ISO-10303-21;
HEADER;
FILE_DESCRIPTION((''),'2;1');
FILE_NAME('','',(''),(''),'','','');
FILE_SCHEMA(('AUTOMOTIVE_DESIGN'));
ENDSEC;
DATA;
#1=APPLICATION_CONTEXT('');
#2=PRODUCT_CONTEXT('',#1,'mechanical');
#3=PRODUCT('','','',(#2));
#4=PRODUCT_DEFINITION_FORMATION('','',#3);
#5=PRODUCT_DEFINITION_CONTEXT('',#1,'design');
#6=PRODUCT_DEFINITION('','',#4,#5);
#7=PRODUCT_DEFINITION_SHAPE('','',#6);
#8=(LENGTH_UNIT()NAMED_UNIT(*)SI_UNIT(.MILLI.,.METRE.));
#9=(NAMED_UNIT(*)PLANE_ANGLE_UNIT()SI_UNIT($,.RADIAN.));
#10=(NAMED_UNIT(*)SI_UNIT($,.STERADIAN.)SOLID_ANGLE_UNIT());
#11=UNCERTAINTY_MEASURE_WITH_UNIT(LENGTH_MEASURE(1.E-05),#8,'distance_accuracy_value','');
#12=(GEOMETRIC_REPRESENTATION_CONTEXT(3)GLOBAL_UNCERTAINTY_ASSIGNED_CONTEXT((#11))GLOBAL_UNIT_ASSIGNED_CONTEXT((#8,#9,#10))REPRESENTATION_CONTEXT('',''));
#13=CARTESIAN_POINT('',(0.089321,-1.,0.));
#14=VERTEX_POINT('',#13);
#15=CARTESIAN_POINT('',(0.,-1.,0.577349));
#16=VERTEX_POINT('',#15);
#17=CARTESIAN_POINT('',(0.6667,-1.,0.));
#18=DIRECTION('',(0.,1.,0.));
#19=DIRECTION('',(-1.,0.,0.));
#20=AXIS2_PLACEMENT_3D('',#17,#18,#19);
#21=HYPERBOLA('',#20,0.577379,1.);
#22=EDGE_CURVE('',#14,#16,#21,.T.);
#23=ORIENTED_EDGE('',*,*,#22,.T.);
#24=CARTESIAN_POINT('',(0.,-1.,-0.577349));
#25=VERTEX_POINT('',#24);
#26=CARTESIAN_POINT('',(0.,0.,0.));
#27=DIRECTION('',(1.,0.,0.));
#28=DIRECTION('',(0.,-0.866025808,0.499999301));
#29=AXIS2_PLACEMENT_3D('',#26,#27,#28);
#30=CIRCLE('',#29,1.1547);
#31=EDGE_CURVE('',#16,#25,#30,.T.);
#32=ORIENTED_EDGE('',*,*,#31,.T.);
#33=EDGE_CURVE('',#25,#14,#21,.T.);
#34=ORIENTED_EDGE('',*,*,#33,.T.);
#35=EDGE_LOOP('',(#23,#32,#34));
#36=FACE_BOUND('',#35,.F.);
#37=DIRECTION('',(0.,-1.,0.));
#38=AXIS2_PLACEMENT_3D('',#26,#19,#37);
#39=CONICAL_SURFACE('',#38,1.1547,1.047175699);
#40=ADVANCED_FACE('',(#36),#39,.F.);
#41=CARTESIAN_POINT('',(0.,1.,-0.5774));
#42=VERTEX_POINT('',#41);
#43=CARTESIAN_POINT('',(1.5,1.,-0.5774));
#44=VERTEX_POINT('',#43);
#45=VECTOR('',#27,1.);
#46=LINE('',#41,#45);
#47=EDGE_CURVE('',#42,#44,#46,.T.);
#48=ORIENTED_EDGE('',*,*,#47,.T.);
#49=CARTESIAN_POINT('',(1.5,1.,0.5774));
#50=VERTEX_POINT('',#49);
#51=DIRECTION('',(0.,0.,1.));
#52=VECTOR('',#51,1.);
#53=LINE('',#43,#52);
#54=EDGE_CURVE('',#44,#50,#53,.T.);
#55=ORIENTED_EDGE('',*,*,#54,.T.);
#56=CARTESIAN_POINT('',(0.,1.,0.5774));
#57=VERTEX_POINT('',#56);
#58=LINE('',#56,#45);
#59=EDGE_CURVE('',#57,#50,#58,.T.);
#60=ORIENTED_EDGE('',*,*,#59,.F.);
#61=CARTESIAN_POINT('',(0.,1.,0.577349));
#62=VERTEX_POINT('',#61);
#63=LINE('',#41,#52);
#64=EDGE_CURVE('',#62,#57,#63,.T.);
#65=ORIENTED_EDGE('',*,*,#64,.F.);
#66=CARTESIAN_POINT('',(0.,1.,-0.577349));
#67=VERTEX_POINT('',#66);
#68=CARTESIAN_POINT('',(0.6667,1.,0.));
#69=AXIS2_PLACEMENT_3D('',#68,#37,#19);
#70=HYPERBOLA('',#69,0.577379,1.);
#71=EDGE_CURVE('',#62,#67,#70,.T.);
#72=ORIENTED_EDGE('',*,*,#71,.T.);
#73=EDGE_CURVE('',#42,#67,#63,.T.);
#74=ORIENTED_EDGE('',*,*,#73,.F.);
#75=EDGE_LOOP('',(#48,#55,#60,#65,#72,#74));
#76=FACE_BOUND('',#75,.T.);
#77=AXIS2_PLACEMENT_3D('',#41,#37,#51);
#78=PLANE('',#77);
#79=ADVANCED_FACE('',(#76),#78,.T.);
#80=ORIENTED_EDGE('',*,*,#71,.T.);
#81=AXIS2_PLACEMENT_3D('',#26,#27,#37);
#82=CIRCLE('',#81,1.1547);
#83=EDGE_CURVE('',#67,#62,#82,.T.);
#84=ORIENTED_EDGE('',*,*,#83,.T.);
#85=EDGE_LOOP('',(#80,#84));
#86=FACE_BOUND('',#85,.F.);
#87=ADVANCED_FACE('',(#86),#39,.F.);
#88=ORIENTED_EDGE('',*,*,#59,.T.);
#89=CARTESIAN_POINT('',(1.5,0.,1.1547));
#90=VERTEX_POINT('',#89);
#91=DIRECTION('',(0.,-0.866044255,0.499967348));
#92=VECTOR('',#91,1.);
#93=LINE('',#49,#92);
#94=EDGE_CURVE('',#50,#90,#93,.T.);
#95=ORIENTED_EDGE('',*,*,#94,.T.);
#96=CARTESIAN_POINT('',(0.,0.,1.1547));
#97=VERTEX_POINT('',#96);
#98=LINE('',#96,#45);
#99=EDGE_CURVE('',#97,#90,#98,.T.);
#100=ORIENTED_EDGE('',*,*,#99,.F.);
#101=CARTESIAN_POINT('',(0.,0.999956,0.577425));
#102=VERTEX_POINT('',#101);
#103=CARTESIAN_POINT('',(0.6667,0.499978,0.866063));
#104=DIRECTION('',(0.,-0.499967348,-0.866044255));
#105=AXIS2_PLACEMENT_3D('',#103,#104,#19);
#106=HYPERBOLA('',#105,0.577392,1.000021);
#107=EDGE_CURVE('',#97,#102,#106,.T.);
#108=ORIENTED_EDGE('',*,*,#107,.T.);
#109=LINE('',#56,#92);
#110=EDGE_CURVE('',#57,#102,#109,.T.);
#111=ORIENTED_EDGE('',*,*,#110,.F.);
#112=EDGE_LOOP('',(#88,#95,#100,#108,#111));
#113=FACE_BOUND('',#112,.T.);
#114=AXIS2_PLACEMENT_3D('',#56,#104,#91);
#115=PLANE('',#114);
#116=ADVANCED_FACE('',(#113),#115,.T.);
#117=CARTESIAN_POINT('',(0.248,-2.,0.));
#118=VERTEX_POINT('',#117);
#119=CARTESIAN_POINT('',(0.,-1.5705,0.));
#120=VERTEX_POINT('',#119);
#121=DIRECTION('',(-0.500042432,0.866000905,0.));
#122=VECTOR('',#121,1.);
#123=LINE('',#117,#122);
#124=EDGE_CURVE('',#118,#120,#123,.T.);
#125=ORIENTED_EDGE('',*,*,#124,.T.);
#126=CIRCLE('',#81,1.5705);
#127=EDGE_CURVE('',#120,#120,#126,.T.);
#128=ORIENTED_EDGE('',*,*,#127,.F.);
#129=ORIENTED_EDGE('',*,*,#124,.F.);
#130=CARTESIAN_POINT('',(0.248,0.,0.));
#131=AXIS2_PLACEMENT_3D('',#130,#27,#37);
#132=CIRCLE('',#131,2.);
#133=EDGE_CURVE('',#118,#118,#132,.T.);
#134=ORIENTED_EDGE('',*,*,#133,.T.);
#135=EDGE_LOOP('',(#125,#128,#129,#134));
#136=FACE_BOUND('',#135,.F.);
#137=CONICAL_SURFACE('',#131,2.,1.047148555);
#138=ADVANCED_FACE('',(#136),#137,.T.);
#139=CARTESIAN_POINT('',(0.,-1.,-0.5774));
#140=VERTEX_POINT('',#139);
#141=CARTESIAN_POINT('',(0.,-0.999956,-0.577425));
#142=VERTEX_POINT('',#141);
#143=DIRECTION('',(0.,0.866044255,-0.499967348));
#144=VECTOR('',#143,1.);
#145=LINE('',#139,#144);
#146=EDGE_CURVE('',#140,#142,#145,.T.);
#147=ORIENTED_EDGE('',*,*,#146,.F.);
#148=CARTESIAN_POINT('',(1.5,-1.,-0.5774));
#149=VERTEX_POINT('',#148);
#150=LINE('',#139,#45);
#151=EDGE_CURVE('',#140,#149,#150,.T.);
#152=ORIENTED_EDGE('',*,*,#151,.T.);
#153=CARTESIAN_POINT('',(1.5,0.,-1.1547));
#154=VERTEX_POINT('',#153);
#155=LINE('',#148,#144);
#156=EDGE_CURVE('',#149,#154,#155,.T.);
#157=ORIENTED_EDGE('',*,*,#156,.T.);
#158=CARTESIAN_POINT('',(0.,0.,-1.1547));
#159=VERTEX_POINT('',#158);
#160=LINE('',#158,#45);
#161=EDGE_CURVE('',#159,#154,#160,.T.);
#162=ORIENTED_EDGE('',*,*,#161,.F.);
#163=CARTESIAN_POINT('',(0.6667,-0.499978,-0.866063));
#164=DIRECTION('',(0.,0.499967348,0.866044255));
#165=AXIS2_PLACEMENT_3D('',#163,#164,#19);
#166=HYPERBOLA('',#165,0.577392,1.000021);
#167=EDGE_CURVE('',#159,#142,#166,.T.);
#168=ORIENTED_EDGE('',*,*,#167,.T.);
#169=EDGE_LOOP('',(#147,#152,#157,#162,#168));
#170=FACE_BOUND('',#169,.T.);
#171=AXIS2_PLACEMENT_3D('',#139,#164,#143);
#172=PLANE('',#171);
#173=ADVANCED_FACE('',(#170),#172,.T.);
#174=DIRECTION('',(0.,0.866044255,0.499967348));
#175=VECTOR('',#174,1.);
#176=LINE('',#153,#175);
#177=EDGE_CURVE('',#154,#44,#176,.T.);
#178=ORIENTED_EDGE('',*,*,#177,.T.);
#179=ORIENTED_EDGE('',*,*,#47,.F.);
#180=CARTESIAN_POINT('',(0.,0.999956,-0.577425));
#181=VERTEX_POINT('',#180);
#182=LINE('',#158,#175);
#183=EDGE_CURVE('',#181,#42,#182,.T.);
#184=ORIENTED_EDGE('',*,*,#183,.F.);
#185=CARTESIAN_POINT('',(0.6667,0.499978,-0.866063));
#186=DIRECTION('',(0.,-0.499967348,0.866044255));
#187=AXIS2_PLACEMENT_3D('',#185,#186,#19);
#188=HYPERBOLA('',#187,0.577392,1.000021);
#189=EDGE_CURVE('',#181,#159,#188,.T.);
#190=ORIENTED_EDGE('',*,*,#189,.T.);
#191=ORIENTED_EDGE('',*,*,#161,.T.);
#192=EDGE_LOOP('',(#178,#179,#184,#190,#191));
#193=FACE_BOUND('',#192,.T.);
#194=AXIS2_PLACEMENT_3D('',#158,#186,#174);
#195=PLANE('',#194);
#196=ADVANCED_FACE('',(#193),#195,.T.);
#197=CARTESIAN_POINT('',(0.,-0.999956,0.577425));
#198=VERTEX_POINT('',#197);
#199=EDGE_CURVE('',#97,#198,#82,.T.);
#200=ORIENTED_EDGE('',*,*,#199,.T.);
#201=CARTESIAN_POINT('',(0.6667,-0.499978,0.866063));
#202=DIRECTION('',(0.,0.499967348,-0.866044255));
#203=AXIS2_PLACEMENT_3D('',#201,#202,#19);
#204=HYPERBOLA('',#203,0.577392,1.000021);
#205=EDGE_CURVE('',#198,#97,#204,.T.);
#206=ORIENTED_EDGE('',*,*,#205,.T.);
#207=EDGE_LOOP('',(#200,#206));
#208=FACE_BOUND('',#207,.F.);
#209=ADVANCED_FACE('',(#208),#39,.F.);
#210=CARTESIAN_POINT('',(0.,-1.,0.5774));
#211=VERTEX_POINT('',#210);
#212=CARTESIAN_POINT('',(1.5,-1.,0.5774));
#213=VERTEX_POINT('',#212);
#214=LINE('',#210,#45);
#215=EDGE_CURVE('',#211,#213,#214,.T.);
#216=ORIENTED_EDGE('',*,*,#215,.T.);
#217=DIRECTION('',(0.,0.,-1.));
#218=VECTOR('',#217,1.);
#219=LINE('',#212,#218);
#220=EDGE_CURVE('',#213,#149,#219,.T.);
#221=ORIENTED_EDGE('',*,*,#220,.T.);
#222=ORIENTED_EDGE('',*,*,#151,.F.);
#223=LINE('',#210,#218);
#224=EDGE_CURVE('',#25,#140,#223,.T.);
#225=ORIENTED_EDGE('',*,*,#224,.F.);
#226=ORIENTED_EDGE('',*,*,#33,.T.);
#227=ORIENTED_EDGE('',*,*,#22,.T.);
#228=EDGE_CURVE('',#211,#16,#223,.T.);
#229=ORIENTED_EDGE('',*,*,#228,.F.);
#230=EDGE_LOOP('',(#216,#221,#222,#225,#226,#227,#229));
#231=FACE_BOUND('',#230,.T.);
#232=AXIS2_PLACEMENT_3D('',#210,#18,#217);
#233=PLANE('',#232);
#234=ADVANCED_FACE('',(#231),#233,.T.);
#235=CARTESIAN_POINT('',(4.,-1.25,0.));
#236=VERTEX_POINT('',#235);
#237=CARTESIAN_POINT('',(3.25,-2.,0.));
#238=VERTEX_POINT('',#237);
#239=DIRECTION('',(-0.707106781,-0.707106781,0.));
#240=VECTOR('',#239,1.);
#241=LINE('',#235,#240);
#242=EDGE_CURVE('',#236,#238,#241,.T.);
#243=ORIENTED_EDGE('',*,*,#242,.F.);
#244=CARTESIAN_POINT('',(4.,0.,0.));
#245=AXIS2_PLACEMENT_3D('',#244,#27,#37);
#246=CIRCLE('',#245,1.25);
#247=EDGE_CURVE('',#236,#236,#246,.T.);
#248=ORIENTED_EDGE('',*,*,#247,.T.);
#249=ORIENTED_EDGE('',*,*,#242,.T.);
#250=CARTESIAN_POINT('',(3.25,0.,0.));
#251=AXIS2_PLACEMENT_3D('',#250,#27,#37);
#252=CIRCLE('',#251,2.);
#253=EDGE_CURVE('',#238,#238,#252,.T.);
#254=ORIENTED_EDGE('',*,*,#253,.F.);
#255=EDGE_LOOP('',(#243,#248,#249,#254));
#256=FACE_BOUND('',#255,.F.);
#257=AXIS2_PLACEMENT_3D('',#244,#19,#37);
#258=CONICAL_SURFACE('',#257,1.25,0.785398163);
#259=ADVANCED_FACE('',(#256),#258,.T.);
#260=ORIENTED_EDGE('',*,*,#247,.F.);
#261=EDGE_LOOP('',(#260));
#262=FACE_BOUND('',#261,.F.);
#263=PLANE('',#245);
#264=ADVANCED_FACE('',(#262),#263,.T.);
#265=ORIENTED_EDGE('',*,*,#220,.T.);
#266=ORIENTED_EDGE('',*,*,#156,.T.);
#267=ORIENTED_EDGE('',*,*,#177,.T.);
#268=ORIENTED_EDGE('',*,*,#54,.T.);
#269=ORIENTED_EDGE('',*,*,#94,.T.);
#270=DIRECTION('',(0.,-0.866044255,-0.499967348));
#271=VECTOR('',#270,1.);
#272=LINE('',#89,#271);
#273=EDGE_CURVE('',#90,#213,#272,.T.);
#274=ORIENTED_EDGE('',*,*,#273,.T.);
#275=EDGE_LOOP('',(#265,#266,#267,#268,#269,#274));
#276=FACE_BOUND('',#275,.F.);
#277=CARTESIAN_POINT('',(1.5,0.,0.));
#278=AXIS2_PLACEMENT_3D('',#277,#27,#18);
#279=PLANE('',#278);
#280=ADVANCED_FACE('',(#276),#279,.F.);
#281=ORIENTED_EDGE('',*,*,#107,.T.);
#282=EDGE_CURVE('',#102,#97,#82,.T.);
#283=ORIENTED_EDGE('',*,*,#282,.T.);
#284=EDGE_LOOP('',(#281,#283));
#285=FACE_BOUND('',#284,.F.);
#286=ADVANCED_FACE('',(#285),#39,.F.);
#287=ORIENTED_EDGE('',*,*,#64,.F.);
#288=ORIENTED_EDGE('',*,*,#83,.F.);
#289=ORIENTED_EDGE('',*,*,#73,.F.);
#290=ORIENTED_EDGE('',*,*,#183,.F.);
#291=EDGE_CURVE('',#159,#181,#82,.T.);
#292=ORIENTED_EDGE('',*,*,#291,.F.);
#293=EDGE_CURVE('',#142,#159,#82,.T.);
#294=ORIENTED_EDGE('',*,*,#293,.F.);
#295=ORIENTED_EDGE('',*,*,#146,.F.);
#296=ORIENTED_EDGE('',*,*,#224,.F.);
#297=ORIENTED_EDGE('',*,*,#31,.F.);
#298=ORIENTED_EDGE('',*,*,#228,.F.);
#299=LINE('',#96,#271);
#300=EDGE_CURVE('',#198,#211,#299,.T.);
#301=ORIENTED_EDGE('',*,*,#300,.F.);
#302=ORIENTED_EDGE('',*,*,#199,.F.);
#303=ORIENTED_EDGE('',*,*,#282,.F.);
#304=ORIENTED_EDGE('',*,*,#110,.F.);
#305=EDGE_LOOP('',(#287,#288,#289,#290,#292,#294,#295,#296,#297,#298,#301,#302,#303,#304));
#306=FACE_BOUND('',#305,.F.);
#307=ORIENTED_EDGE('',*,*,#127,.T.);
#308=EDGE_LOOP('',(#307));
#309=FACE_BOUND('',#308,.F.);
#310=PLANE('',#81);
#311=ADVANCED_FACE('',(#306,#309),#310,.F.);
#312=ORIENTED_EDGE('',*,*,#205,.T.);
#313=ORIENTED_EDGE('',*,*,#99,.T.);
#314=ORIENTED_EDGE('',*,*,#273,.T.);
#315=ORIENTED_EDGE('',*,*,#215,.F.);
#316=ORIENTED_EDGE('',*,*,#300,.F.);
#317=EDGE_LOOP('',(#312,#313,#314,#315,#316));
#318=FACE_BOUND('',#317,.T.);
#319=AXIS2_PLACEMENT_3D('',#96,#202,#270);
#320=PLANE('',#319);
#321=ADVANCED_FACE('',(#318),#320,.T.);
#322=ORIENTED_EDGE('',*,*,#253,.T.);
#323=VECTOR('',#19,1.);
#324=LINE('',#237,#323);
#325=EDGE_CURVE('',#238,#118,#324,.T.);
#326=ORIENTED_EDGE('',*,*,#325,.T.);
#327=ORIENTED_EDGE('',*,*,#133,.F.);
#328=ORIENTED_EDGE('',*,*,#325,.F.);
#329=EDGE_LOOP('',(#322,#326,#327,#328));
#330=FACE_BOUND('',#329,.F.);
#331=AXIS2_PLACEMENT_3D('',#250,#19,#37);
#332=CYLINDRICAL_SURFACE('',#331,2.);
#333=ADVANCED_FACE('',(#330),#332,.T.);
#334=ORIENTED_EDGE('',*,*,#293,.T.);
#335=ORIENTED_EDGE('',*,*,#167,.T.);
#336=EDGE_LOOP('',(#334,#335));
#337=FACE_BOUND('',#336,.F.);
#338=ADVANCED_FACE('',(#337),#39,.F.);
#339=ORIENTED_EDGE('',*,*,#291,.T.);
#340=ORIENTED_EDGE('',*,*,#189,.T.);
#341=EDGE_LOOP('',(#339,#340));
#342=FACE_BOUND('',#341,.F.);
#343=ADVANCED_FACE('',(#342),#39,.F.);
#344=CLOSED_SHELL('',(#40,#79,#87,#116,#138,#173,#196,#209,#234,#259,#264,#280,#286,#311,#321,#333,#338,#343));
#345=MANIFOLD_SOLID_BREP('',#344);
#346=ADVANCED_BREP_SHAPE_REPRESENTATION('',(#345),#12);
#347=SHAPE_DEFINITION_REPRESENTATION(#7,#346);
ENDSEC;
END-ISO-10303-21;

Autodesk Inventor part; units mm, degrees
sketch "Sketch_1" plane through (0, 0, 0) normal (0, 0, 1) x (1, 0, 0)
  line L0 (0.6667, 0) -> (4, 0)
  line L1 (4, 0) -> (4, -1.25)
  line L2 (4, -1.25) -> (3.25, -2)
  line L3 (3.25, -2) -> (0.248, -2)
  line L4 (0.248, -2) -> (0, -1.5705)
  line L5 (0, -1.5705) -> (0, -1.1547)
  line L6 (0, -1.1547) -> (0.6667, 0)
  line L7 (0.6667, 0) -> (4, 0)
revolve "Revolution1" add sketch "Sketch_1" angle 360 about axis through (0.6667, 0, 0) along (1, 0, 0)
thread "Thread1" size "M4x0.7" class "6g" standard "ISO Metric profile" full length
sketch "Sketch_2" plane through (0, 0, 0) normal (1, 0, 0) x (0, 1, 0)
  line L0 (0, 1.1547) -> (-1, 0.5774)
  line L1 (-1, 0.5774) -> (-1, -0.5774)
  line L2 (-1, -0.5774) -> (0, -1.1547)
  line L3 (0, -1.1547) -> (1, -0.5774)
  line L4 (1, -0.5774) -> (1, 0.5774)
  line L5 (1, 0.5774) -> (0, 1.1547)
extrude "Extrusion1" cut sketch "Sketch_2" along normal blind 1.5
ref_plane "IP1_XY" through (0, 0, 0) normal (1, 0, 0) x (0, 0, -1)
ref_plane "IP1_YZ" through (0, 0, 0) normal (0, 0, -1) x (0, 1, 0)
ref_plane "IP1_ZX" through (0, 0, 0) normal (0, 1, 0) x (1, 0, 0)
ref_plane "IP2_XY" through (4, 0, 0) normal (1, 0, 0) x (0, 0, -1)
ref_plane "IP2_YZ" through (4, 0, 0) normal (0, 0, -1) x (0, 1, 0)
ref_plane "IP2_ZX" through (4, 0, 0) normal (0, 1, 0) x (1, 0, 0)
properties part number "Hexagon socket set screw with flat point DIN 913 - M4x4"
